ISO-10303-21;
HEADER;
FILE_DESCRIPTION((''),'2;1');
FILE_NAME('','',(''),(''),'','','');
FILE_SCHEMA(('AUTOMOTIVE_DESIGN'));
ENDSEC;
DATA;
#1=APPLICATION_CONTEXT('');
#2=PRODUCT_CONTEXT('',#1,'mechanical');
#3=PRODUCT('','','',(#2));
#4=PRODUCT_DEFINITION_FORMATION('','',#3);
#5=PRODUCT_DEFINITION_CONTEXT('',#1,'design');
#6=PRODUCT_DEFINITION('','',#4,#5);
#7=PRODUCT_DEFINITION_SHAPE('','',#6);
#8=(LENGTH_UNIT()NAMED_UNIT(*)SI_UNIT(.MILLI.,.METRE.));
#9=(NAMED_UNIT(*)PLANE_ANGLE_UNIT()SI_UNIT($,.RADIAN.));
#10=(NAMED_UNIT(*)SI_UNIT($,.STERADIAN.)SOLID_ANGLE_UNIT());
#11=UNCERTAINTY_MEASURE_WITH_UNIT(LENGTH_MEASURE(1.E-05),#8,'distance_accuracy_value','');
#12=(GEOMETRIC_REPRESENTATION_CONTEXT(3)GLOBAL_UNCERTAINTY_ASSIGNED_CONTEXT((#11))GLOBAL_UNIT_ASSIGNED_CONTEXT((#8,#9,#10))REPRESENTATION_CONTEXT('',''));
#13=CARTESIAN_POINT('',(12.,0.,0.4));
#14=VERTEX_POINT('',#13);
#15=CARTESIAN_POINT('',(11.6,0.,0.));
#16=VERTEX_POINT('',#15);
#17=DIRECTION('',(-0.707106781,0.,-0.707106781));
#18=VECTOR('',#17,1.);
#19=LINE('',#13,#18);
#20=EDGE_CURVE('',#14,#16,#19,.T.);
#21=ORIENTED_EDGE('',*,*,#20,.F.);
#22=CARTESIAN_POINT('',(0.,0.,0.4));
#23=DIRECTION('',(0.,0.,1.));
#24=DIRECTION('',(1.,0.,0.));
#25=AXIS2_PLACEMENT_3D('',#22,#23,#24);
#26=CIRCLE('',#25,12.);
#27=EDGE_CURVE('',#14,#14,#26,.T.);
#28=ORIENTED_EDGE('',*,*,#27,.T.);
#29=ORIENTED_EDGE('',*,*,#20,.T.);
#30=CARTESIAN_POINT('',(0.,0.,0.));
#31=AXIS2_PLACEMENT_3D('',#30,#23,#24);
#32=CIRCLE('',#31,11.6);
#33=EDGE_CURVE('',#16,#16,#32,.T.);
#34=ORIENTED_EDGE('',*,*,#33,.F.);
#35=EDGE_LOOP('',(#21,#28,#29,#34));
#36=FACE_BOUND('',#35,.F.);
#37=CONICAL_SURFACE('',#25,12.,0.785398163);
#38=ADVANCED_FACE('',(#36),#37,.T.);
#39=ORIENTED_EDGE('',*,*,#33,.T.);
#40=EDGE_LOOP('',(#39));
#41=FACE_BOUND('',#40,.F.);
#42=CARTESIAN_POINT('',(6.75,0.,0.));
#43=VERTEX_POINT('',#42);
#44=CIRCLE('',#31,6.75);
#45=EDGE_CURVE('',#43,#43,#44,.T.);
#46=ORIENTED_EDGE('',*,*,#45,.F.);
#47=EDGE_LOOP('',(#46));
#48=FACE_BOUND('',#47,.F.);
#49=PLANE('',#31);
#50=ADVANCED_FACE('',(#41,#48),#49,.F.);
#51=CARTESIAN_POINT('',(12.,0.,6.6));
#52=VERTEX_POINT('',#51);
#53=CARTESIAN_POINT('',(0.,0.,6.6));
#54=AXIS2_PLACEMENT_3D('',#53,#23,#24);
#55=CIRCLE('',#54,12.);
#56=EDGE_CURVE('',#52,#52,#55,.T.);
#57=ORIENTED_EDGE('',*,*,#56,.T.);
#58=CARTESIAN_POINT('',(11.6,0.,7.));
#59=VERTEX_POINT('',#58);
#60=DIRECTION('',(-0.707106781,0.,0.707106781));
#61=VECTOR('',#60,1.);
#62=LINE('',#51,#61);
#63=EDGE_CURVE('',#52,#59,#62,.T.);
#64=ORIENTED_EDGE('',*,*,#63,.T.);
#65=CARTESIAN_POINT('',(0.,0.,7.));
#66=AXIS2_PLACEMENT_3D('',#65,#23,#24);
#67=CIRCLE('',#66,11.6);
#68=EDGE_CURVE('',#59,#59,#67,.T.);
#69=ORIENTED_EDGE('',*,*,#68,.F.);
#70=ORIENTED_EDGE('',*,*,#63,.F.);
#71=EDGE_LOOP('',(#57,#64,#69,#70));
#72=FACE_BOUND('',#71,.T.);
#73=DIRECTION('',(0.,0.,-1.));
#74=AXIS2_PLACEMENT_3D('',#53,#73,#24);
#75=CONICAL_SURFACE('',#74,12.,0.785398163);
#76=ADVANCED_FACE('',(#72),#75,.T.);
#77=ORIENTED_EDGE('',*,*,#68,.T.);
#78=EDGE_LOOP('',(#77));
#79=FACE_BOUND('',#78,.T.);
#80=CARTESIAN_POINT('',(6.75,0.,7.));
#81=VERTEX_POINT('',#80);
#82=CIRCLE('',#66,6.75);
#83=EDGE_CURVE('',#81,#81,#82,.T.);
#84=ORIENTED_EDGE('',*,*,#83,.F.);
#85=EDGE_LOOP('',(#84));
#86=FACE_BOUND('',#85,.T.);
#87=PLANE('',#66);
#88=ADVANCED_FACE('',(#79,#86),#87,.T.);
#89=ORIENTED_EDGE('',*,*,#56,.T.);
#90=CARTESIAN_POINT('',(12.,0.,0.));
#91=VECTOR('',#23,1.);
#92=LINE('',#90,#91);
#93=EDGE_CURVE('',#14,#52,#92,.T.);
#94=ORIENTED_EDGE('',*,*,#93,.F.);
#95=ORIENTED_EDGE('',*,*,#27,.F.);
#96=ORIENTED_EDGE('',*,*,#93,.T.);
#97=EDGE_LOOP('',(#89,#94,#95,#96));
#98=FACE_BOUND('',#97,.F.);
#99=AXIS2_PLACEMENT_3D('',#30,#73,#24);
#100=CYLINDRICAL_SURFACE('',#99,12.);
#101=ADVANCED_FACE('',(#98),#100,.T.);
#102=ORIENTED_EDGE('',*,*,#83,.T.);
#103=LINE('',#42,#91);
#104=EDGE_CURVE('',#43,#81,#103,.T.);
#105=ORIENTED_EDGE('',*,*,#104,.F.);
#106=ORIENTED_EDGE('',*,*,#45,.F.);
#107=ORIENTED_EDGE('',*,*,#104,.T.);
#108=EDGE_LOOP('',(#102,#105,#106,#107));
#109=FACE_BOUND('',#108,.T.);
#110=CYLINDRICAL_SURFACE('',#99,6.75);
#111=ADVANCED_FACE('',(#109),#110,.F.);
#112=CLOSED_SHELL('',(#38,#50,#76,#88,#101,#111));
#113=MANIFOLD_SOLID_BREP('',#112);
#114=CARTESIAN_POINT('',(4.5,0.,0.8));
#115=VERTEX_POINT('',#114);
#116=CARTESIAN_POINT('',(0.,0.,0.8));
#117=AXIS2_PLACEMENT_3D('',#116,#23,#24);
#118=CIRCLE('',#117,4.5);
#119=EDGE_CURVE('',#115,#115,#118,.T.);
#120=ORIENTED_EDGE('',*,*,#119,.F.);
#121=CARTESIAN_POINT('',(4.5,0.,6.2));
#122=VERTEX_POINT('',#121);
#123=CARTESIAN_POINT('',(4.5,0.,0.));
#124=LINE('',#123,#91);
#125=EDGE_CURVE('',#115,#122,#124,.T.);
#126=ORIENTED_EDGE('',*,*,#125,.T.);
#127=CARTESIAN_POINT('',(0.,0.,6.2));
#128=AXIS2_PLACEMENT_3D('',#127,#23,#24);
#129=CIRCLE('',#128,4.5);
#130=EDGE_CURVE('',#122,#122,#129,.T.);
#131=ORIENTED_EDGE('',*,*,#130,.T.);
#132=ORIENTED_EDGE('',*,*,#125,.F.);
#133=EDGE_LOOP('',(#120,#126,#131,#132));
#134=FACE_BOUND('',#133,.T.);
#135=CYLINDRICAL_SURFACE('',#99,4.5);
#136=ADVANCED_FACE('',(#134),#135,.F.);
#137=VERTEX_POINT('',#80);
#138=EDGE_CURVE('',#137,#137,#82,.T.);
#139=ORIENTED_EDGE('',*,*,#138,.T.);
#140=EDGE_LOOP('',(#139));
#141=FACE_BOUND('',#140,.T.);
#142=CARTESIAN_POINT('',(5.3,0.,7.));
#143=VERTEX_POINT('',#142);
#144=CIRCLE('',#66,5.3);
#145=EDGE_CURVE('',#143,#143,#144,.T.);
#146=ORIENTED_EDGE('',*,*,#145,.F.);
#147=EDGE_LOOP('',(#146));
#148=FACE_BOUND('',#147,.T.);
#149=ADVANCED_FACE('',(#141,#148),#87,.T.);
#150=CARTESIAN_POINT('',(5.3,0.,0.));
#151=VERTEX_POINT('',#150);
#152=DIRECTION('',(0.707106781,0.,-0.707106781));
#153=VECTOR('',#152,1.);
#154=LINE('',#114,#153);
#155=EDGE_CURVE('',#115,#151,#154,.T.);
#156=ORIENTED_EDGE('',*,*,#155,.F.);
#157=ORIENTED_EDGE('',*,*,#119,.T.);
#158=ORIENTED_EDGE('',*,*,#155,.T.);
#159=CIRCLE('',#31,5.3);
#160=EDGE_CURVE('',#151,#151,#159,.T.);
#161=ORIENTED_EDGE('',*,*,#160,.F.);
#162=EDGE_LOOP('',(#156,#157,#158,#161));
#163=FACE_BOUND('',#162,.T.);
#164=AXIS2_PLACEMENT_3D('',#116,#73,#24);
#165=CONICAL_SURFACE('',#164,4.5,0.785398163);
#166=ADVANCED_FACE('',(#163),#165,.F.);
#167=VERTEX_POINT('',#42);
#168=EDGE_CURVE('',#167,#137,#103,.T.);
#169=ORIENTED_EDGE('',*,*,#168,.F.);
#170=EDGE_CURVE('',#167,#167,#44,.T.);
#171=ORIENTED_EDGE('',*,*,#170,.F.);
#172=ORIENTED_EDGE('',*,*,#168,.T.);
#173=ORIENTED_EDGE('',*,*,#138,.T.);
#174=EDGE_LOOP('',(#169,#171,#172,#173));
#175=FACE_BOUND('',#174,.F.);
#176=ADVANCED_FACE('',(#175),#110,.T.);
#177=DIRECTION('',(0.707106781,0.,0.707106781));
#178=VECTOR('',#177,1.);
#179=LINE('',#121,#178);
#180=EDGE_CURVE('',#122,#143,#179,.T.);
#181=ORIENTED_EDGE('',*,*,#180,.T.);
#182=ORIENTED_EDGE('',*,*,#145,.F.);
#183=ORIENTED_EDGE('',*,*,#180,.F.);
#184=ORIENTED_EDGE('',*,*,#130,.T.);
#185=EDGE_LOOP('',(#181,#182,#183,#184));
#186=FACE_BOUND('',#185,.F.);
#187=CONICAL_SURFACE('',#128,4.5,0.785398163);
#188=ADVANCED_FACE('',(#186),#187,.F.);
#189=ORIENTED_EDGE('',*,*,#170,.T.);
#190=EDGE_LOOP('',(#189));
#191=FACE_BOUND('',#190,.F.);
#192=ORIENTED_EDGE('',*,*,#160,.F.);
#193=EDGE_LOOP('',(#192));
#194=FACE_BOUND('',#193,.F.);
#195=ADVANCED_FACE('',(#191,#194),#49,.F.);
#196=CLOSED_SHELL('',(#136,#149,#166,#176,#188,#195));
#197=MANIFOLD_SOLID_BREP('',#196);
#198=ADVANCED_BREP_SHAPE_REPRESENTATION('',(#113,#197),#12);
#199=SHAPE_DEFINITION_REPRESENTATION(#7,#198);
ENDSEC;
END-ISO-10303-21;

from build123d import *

# Parameters (mm, degrees)
F0_R     = 12
F0_R_2   = 6.75
F1_DEPTH = 7
F0_R_3   = 4.5
F2_DEPTH = 7
F3_SIZE  = 0.4
F4_SIZE  = 0.8


with BuildPart() as f1:
    # F0 (on Top) → F1 (new body)
    with BuildSketch(Plane.XY):
        Circle(F0_R)
        Circle(F0_R_2, mode=Mode.SUBTRACT)
    extrude(amount=F1_DEPTH)

    # F3
    f3_edges = [f1.edges().sort_by_distance(p)[0] for p in [
        (-12, 0, 7),
        (-12, 0, 0),
    ]]
    chamfer(f3_edges, length=F3_SIZE)


with BuildPart() as f2:
    # F0 (on Top) → F2 (new body)
    with BuildSketch(Plane.XY):
        Circle(F0_R_2)
        Circle(F0_R_3, mode=Mode.SUBTRACT)
    extrude(amount=F2_DEPTH)

    # F4
    f4_edges = [f2.edges().sort_by_distance(p)[0] for p in [
        (-4.5, 0, 7),
        (-4.5, 0, 0),
    ]]
    chamfer(f4_edges, length=F4_SIZE)


solid = Compound([f1.part, f2.part])
